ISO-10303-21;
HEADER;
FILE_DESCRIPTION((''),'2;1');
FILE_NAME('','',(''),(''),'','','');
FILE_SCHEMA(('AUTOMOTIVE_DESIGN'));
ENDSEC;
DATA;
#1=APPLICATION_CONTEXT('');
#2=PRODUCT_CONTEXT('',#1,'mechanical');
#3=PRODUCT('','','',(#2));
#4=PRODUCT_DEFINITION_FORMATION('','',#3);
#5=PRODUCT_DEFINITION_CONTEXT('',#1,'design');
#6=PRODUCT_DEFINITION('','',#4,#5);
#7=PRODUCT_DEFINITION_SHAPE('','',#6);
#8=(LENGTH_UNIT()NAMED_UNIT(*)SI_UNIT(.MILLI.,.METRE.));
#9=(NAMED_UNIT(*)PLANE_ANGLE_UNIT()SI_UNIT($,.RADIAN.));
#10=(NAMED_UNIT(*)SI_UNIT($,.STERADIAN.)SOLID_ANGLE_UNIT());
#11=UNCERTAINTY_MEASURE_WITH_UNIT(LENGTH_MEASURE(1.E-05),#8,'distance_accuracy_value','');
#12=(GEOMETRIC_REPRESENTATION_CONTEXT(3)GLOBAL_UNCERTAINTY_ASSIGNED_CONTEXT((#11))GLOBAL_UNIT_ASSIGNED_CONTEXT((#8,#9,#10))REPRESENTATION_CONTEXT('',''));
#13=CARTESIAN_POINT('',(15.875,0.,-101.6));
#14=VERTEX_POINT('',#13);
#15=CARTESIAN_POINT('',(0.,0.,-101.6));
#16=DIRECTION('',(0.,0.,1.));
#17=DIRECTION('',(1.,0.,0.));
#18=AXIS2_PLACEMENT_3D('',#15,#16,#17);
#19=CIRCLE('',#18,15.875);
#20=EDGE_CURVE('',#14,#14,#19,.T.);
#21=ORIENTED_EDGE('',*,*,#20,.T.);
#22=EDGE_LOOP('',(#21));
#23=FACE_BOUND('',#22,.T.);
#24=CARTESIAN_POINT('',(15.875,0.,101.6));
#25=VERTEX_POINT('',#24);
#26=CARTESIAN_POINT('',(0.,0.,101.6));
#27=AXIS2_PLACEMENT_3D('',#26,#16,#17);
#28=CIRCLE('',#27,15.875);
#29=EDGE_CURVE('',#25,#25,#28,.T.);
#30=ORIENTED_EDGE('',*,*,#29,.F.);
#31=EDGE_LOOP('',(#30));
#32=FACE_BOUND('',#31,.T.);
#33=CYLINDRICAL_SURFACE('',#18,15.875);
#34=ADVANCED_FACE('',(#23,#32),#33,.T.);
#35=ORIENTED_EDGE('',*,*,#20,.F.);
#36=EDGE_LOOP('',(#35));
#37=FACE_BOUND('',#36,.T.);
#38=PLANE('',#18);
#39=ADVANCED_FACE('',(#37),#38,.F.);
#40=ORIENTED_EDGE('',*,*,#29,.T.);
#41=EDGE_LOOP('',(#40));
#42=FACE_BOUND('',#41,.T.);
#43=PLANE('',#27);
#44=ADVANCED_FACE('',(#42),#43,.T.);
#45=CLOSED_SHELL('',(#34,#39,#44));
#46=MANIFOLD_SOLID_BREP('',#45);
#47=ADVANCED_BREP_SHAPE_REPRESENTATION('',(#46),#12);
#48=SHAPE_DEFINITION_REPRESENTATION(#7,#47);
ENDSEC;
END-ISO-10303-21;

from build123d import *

# Parameters (mm, degrees)
SKETCH1_R      = 15.875
EXTRUDE1_DEPTH = 101.6


with BuildPart() as part:
    # Sketch1 → Extrude1 (new, symmetric)
    with BuildSketch(Plane.XY):
        Circle(SKETCH1_R)
    extrude(amount=EXTRUDE1_DEPTH, both=True)


solid = part.part
